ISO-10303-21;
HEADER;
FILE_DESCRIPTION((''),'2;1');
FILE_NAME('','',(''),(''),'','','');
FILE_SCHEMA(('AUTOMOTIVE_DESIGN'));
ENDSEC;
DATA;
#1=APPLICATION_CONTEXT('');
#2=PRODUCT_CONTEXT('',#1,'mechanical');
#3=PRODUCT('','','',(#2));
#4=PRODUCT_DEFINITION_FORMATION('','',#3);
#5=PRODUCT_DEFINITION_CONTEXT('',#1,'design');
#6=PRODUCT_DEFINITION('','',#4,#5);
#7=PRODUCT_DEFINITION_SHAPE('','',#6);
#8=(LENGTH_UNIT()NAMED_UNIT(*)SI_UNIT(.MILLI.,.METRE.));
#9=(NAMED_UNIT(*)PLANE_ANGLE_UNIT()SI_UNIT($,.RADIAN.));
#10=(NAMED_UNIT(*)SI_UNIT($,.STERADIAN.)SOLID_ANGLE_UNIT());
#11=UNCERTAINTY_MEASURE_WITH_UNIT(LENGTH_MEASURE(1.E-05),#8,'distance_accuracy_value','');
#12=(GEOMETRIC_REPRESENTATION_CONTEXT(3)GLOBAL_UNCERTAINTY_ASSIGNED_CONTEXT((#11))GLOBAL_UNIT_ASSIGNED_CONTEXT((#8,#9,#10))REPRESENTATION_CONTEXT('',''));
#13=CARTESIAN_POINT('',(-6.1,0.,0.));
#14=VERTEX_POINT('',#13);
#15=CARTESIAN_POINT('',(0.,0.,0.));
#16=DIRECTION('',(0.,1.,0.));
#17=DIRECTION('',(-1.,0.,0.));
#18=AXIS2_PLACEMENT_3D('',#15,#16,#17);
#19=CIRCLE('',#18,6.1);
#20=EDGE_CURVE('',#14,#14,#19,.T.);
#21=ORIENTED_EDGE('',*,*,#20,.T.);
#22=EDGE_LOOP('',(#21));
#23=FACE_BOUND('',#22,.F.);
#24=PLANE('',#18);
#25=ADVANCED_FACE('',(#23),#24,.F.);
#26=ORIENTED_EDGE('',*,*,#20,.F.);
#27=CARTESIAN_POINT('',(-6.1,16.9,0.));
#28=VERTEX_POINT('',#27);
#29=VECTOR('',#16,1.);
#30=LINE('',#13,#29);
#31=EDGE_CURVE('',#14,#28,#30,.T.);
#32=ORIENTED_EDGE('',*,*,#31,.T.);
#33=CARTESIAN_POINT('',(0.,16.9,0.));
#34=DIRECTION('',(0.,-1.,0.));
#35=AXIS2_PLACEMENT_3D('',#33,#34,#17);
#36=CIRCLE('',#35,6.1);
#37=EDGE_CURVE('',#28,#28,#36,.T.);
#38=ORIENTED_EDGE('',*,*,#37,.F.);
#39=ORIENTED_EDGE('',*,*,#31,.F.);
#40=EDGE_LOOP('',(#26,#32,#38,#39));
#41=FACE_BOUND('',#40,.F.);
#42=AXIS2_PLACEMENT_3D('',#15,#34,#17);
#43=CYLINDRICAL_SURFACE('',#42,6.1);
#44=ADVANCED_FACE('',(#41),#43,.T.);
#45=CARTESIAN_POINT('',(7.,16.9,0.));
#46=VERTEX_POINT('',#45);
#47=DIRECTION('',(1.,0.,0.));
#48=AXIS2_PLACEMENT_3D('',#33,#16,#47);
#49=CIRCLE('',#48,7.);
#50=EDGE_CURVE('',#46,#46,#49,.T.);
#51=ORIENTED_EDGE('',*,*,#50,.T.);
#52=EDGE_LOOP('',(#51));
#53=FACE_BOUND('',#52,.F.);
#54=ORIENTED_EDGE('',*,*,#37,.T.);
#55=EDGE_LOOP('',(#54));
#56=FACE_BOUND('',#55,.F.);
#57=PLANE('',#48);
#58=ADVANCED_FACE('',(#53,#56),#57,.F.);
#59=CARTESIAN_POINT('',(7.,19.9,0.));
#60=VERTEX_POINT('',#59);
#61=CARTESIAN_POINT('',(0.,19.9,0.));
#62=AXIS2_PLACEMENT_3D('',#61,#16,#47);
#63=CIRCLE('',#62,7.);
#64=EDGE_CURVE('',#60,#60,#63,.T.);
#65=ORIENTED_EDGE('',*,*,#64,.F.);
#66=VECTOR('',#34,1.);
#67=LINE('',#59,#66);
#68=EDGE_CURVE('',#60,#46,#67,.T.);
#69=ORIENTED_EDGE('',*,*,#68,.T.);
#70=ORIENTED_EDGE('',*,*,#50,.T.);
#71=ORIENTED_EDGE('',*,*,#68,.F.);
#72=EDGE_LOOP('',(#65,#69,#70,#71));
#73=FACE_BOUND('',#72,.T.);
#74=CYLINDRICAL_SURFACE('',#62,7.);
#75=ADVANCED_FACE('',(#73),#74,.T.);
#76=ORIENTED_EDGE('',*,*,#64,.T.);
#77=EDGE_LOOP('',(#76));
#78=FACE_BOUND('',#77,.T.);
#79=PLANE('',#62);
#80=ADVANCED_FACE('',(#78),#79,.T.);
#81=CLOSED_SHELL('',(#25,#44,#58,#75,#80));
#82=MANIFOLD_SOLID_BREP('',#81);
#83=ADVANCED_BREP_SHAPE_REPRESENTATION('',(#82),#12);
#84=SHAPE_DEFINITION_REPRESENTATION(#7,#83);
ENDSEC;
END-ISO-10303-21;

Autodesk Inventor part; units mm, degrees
ref_plane "XZ Plane" through (0, 0, 0) normal (0, 1, 0) x (-1, 0, 0)
ref_plane "XY Plane" through (0, 0, 0) normal (0, 0, 1) x (1, 0, 0)
sketch "Sketch1" plane through (0, 0, 0) normal (0, 1, 0) x (-1, 0, 0)
  circle A0 centre (0, 0) radius 6.1
  dimension "d0" = 12.2
extrude "Extrusion1" add sketch "Sketch1" along normal blind 19.9
sketch "Sketch2" plane through (0, 19.9, 0) normal (0, 1, 0) x (1, 0, 0)
  circle A0 centre (0, 0) radius 6.1 projected
  circle A1 centre (0, 0) radius 6.1 projected
  circle A2 centre (0, 0) radius 7
  dimension "d3" = 14
extrude "Extrusion2" add sketch "Sketch2" against normal blind 3 contours A0 | A2
ref_plane "Arbeitsebene1" through (0, 0, 0) normal (1, 0, 0) x (0, 1, 0)
properties part number "00_CCTV_lens_M12_25mm_5mp"
